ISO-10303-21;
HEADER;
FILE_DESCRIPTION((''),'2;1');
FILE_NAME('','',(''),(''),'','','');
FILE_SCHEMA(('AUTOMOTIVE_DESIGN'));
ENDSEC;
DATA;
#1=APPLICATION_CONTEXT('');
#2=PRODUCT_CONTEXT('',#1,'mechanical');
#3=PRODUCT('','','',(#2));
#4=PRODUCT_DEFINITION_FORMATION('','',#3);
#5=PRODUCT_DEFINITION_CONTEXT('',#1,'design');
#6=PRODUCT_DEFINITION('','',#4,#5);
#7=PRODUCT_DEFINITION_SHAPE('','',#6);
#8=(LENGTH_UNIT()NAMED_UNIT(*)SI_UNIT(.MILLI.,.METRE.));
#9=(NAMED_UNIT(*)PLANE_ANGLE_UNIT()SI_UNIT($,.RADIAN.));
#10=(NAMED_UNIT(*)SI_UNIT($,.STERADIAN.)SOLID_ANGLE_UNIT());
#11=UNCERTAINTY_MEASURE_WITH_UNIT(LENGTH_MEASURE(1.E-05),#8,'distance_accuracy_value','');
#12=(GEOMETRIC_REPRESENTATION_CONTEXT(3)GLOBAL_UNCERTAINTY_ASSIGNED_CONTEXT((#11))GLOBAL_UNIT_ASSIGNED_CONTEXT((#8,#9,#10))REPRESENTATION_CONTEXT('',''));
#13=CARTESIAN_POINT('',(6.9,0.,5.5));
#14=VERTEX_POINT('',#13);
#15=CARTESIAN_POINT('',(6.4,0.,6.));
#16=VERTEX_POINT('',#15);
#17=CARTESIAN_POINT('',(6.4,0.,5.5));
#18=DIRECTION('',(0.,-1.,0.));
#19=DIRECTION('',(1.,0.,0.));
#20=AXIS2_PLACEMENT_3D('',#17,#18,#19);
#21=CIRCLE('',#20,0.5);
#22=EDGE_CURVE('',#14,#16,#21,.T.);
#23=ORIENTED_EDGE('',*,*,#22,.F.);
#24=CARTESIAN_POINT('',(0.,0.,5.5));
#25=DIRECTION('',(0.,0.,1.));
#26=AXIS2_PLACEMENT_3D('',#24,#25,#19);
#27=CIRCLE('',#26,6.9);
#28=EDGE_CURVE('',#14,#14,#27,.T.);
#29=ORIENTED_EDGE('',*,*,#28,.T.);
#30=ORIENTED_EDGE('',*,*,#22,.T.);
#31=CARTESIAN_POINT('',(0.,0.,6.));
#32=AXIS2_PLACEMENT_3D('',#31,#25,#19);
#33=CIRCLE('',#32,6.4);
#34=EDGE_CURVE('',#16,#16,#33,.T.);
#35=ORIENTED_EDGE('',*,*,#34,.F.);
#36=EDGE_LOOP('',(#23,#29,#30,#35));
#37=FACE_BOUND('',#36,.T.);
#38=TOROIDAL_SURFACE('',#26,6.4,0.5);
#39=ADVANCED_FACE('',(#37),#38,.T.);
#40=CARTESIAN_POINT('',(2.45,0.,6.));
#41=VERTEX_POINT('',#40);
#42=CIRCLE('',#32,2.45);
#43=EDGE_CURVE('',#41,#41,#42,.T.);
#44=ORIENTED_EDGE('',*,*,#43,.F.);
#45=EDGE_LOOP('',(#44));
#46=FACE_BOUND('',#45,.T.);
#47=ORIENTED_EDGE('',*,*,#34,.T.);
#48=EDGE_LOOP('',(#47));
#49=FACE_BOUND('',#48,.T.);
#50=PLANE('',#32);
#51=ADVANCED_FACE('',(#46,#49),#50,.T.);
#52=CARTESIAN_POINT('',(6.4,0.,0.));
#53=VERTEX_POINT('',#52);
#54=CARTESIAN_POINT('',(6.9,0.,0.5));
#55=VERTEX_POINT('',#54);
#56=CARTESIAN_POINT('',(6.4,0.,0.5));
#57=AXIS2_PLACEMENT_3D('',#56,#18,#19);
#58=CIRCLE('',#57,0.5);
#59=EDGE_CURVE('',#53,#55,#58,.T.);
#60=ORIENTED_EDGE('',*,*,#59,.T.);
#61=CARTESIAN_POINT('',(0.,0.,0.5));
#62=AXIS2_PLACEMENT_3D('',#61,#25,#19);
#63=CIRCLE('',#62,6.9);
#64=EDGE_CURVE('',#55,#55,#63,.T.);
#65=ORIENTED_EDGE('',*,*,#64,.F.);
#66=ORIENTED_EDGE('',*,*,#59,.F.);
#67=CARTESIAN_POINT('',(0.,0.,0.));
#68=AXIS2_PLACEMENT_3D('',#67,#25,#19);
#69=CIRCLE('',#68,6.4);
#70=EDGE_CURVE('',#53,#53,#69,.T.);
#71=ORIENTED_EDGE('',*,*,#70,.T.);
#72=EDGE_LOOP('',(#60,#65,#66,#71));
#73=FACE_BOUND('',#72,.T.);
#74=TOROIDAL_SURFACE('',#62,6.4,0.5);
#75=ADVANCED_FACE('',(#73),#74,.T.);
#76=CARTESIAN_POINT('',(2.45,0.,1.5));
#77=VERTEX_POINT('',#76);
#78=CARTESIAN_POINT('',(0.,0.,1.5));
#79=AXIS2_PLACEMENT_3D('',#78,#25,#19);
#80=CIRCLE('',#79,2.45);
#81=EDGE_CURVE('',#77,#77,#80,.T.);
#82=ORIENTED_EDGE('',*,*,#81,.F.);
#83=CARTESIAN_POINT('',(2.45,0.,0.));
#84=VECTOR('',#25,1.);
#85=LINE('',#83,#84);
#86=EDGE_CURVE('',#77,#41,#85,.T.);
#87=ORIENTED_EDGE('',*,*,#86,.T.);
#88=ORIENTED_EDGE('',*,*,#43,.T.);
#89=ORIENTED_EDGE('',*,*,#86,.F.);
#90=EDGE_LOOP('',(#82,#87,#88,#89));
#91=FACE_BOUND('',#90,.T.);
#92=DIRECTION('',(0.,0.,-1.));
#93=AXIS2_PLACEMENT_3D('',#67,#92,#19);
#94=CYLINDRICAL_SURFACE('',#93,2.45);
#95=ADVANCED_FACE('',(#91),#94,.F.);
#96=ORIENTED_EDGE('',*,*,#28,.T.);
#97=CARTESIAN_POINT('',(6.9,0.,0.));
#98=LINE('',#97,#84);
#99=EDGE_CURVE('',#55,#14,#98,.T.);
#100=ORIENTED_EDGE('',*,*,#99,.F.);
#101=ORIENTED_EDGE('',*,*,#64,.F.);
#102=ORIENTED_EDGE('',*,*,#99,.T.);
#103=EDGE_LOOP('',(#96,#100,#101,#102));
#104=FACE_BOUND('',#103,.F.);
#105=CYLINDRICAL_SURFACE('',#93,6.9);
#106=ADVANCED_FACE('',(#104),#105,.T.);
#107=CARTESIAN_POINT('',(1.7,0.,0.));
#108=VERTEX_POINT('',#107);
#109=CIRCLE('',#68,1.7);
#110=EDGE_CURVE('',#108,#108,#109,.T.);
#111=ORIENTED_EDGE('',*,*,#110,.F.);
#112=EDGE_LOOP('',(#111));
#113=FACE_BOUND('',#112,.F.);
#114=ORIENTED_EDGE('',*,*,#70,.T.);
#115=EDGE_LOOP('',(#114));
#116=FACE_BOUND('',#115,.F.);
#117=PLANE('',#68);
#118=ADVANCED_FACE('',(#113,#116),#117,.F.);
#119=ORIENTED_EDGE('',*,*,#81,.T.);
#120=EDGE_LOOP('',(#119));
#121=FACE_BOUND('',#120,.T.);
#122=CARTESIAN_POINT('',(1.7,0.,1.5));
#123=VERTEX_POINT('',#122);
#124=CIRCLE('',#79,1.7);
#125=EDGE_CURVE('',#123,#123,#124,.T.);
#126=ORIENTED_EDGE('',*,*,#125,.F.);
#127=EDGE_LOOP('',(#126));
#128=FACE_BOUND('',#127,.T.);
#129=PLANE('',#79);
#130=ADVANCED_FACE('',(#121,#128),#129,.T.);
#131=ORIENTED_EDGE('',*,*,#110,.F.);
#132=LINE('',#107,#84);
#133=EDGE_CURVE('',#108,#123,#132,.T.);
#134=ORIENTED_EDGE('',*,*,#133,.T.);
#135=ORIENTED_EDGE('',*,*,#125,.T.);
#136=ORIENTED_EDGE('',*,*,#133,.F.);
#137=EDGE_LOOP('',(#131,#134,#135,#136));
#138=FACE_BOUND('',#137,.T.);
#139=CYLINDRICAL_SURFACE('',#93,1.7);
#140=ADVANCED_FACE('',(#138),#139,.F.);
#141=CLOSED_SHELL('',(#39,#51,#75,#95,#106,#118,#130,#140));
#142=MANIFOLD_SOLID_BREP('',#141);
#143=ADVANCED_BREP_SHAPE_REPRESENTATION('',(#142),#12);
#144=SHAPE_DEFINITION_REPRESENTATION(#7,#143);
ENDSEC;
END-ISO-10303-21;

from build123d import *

# Parameters (mm, degrees)
F0_R     = 6.9
F0_R_2   = 2.45
F1_DEPTH = 6
F0_R_3   = 1.7
F2_DEPTH = 1.5
F3_R     = 0.5


with BuildPart() as f1:
    # F0 (on Top) → F1 (new body)
    with BuildSketch(Plane.XY):
        Circle(F0_R)
        Circle(F0_R_2, mode=Mode.SUBTRACT)
    extrude(amount=F1_DEPTH)

    # F0 (on Top) → F2 (join)
    with BuildSketch(Plane.XY):
        Circle(F0_R_2)
        Circle(F0_R_3, mode=Mode.SUBTRACT)
    extrude(amount=F2_DEPTH)

    # F3
    f3_edges = [f1.edges().sort_by_distance(p)[0] for p in [
        (-6.9, 0, 6),
        (-6.9, 0, 0),
    ]]
    fillet(f3_edges, radius=F3_R)


solid = f1.part
